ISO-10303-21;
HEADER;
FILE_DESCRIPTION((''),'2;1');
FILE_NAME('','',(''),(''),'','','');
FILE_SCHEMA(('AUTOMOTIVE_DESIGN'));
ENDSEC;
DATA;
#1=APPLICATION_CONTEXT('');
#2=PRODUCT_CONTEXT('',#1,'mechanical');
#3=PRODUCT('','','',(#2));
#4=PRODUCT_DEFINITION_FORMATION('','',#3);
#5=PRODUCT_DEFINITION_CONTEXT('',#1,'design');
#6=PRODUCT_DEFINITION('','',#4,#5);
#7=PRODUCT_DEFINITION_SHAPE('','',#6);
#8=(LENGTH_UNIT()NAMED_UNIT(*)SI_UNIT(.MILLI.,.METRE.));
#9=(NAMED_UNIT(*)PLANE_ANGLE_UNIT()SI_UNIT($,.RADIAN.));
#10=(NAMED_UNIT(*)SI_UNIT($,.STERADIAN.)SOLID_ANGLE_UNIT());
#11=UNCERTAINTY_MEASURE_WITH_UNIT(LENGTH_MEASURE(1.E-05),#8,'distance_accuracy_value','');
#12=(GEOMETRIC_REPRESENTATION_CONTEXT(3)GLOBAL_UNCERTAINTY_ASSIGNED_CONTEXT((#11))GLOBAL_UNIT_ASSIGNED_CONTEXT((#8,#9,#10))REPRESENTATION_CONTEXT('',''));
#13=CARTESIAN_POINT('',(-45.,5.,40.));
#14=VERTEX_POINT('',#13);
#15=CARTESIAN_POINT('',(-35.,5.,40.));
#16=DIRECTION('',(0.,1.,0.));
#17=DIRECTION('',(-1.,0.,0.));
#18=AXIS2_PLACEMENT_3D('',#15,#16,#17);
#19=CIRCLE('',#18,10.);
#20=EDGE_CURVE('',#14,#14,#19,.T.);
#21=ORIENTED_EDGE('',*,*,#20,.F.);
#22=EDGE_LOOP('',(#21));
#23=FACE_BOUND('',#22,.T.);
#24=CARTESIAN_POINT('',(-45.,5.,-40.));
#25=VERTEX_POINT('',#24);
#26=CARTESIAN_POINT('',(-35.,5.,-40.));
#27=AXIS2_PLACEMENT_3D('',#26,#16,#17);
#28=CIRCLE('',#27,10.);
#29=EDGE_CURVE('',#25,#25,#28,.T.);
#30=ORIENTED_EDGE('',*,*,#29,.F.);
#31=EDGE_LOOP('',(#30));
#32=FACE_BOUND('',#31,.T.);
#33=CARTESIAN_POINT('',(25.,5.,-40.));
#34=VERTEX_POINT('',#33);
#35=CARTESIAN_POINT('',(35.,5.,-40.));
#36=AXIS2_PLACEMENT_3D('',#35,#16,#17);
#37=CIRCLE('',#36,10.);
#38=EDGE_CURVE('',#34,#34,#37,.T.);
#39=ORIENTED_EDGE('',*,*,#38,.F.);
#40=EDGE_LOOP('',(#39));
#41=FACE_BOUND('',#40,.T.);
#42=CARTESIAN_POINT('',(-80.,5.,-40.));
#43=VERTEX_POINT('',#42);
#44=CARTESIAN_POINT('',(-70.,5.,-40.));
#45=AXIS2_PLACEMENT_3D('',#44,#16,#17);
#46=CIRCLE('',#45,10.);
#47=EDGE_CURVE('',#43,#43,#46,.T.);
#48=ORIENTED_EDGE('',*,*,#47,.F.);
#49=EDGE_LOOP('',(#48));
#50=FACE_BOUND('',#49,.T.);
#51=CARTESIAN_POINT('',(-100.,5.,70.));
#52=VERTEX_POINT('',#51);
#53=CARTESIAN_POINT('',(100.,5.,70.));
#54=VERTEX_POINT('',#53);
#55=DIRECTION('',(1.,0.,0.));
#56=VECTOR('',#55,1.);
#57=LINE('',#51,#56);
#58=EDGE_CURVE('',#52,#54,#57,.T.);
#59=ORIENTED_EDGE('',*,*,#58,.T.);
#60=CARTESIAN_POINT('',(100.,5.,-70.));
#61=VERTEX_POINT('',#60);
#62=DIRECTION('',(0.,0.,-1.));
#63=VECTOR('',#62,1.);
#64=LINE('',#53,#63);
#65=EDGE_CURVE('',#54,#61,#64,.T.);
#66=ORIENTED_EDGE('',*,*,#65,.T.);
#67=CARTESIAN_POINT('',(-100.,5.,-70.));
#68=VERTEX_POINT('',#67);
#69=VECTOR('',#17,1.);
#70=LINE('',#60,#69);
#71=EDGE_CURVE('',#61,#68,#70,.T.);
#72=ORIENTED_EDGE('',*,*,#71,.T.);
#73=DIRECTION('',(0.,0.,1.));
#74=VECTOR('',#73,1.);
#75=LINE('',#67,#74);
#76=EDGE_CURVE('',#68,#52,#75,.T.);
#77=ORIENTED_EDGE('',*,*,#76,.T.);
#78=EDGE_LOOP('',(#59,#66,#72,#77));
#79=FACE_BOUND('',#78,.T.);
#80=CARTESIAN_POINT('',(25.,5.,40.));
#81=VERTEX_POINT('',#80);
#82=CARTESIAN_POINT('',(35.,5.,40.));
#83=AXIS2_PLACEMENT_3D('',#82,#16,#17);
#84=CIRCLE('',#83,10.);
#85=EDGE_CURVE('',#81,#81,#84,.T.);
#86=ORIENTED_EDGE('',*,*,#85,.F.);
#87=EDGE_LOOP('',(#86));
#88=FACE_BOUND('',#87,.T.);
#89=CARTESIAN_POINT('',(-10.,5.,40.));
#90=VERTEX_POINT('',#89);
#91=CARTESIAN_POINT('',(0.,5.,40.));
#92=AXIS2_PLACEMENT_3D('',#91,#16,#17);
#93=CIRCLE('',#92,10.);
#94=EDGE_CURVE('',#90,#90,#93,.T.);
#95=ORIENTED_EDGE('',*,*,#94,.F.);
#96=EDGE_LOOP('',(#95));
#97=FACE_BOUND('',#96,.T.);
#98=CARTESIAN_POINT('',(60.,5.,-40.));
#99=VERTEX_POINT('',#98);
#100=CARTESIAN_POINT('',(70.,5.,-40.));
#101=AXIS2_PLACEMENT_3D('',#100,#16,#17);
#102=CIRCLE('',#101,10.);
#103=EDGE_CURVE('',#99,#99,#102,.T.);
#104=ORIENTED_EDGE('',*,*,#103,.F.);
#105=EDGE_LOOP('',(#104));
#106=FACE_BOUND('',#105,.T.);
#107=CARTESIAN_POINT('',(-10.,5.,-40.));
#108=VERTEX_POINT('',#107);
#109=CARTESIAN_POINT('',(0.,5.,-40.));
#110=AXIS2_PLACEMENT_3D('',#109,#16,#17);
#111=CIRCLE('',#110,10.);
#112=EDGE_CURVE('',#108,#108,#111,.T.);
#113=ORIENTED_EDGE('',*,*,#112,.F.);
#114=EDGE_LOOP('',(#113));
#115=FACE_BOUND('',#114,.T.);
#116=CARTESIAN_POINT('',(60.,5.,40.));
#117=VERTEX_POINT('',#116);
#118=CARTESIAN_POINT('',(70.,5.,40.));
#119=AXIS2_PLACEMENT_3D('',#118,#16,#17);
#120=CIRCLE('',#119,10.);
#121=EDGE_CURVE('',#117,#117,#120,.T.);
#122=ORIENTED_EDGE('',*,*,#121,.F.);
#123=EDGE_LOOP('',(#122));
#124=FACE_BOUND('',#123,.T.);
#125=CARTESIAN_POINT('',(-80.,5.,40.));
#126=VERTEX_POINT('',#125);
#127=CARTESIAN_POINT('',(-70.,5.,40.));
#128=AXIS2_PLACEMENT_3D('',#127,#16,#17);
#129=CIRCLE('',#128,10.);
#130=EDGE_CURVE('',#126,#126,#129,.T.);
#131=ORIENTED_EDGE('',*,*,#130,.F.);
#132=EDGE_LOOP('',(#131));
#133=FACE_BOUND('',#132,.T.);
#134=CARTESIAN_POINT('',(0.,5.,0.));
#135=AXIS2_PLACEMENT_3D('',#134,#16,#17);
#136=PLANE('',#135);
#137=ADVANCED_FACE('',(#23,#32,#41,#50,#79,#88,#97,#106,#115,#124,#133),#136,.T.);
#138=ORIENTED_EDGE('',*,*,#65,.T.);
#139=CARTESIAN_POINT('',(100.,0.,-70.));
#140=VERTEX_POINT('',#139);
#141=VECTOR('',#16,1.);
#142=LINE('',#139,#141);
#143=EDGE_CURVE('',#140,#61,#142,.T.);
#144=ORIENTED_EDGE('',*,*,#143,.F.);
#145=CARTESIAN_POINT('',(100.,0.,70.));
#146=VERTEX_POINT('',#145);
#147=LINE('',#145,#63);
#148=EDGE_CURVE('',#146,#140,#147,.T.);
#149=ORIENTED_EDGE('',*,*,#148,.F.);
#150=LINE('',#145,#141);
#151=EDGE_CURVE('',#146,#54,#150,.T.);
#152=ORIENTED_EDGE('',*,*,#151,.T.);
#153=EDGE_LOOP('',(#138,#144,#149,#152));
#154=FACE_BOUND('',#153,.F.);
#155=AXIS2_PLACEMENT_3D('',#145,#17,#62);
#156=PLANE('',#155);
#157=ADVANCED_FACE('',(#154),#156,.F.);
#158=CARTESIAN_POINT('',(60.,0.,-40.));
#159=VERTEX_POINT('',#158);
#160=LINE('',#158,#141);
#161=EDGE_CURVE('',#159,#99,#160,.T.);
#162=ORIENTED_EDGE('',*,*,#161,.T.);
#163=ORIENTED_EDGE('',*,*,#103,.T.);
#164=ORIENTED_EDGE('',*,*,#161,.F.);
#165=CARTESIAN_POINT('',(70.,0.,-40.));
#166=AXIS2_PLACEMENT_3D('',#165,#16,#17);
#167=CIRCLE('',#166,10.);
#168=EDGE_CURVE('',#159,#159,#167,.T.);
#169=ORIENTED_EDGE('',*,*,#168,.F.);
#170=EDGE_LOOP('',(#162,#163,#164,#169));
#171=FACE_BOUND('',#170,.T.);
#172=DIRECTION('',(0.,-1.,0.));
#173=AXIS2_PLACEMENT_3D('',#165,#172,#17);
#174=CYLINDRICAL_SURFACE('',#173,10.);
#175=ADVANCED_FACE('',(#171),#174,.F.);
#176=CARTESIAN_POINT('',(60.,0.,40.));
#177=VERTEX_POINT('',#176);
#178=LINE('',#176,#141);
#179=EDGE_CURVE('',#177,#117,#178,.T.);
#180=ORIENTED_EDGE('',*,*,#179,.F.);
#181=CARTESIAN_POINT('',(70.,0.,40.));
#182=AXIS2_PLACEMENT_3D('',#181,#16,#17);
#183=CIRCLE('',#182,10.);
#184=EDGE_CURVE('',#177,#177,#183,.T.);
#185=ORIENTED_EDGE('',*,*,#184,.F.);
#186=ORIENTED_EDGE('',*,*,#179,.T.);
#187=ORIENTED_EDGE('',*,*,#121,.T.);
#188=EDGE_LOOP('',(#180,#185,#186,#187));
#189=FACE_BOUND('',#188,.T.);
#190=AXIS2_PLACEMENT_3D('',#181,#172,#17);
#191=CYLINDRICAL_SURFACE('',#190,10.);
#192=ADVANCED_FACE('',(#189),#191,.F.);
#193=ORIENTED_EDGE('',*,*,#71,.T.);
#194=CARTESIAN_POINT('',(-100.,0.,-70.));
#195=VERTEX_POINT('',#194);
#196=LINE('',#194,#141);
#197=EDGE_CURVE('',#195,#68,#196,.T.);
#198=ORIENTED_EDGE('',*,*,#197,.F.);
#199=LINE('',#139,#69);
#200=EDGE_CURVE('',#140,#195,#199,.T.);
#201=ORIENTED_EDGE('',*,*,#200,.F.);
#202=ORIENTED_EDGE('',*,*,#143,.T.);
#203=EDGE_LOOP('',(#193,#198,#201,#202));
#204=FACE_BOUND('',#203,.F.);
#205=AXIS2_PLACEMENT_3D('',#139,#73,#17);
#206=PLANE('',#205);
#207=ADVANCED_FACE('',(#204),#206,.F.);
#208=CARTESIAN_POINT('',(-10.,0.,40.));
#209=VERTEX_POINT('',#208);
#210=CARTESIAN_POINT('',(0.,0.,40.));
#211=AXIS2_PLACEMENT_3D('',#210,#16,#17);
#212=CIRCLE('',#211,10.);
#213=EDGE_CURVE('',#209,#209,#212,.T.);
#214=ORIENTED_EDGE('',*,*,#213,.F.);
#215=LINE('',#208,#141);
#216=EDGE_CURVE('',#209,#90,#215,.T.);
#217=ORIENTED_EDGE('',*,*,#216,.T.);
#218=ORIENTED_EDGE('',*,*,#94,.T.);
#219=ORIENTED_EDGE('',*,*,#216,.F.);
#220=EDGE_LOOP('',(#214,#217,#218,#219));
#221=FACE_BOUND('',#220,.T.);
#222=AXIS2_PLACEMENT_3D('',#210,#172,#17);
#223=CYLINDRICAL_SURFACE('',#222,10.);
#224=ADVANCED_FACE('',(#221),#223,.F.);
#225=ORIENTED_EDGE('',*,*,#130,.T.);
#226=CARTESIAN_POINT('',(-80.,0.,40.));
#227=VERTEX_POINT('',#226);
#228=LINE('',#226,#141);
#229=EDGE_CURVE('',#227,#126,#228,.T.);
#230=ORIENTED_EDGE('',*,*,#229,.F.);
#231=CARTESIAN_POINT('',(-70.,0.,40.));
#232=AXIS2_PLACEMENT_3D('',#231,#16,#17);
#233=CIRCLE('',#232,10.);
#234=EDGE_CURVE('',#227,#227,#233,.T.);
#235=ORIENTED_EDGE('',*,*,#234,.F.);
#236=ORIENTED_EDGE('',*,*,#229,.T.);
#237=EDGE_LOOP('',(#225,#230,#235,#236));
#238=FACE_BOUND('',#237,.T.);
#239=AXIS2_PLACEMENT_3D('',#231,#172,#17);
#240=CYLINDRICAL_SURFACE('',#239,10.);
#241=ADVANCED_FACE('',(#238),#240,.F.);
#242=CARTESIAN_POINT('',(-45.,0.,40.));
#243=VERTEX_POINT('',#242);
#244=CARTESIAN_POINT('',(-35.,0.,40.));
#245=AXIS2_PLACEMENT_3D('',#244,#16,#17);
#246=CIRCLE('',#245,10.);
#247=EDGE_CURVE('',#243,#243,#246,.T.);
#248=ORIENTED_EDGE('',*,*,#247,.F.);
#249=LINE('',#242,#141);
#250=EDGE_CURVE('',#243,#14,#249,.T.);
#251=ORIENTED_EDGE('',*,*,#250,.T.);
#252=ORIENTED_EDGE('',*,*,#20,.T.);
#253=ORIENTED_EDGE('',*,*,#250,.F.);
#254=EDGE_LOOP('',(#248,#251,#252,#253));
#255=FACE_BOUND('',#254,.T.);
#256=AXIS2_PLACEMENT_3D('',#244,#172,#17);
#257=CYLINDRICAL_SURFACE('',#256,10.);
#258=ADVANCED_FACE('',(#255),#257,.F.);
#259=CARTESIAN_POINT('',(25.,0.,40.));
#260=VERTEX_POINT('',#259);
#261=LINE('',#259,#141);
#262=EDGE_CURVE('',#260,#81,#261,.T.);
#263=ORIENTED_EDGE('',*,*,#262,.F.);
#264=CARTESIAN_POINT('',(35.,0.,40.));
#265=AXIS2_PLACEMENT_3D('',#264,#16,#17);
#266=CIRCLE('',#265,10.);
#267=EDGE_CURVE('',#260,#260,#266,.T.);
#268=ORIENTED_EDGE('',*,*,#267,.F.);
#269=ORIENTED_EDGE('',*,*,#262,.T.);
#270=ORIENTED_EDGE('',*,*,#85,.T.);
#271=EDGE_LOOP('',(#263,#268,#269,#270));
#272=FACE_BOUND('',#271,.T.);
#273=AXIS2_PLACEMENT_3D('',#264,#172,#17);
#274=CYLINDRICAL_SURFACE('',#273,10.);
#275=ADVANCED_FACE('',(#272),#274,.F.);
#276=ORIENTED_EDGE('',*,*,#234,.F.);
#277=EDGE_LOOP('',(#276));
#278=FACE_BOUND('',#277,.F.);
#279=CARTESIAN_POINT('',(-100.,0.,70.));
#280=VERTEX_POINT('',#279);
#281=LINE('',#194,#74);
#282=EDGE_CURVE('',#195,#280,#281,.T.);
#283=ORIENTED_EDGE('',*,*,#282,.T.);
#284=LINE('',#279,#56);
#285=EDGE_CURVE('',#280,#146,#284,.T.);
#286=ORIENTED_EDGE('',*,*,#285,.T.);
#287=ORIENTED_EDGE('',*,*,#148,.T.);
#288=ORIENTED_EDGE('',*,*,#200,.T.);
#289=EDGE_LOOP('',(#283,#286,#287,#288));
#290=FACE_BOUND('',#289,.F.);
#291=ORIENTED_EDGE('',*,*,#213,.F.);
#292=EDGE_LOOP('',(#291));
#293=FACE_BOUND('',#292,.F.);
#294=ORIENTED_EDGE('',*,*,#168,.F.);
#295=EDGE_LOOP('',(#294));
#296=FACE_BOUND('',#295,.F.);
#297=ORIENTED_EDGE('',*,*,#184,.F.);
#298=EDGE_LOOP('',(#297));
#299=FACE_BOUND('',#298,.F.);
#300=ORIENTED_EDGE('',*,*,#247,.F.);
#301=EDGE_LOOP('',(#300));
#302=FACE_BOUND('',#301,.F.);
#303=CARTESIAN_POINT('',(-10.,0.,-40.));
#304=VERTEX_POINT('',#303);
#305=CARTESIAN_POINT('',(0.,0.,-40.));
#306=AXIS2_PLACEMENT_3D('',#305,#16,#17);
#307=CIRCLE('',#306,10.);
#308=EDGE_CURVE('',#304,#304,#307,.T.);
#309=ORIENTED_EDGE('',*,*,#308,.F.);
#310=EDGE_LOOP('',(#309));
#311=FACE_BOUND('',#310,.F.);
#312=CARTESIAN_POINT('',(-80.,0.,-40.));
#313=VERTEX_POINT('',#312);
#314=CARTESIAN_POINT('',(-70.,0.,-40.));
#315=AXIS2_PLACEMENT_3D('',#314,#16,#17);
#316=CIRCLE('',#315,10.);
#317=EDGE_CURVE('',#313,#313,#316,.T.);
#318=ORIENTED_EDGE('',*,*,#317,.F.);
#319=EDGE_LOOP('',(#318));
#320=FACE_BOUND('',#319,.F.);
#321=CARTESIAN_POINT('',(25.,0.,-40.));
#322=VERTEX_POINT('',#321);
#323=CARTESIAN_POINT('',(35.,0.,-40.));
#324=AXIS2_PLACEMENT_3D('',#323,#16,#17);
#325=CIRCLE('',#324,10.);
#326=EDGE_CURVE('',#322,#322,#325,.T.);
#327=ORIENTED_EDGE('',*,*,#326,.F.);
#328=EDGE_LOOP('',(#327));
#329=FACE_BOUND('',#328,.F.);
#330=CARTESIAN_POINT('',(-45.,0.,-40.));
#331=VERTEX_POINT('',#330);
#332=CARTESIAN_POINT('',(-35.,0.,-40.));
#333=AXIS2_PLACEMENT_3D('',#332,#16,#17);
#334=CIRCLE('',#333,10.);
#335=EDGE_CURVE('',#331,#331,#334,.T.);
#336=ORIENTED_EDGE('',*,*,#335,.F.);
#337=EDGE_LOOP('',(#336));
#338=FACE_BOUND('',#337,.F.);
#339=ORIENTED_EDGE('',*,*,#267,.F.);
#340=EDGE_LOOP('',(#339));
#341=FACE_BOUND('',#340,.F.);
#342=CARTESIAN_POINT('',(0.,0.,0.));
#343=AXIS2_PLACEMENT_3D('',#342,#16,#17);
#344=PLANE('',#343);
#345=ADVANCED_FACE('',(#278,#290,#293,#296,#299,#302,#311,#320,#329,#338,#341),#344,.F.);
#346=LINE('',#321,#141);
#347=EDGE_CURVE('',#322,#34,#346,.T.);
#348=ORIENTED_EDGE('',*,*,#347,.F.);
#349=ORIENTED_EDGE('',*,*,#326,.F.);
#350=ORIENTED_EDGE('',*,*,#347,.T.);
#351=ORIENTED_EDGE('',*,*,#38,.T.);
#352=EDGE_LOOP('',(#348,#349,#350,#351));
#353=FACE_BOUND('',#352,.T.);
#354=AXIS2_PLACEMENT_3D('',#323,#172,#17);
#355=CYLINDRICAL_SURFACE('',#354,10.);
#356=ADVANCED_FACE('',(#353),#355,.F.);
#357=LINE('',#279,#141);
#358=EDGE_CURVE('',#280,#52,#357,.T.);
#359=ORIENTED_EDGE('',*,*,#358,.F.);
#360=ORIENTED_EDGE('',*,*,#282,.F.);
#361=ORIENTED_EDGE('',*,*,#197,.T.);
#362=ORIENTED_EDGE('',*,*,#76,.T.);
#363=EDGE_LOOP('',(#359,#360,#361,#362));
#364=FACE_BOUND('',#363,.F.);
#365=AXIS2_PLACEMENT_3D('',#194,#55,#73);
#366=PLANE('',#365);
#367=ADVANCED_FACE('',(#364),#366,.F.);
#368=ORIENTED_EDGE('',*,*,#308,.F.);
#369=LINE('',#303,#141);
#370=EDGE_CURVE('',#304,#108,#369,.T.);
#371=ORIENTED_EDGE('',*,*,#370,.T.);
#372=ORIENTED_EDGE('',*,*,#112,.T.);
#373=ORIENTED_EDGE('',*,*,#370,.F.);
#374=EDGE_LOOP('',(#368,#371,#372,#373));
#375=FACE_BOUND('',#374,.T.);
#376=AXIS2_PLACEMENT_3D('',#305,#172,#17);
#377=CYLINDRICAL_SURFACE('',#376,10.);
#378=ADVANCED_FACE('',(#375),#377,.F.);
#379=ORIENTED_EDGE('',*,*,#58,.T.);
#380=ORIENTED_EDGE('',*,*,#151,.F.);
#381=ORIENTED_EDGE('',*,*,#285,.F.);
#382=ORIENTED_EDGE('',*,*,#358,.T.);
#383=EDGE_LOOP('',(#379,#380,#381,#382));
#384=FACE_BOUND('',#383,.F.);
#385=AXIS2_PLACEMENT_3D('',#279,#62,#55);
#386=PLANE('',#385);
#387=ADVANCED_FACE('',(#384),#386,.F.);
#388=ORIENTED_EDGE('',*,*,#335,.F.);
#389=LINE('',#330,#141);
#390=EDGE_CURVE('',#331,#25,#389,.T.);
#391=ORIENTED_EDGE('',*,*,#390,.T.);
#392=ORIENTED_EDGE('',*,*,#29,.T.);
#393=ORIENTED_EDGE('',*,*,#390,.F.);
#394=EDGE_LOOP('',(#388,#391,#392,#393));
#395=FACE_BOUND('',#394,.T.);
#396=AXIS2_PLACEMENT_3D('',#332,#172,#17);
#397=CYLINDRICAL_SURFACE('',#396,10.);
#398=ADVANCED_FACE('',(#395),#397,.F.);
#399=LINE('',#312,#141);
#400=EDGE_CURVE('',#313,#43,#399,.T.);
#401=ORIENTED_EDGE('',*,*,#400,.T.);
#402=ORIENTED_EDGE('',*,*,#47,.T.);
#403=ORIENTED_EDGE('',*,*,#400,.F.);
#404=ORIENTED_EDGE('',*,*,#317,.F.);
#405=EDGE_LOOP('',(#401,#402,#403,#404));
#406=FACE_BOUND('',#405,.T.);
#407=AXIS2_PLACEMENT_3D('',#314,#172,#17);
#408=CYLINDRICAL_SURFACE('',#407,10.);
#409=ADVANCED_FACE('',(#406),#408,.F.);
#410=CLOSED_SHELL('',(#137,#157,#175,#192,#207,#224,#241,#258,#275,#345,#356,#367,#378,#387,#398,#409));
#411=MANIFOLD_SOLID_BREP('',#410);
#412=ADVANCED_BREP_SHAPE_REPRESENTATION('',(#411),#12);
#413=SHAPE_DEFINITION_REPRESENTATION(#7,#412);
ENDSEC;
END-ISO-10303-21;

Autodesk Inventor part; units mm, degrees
ref_plane "YZ Plane" through (0, 0, 0) normal (1, 0, 0) x (0, 1, 0)
ref_plane "XZ Plane" through (0, 0, 0) normal (0, 1, 0) x (-1, 0, 0)
ref_plane "XY Plane" through (0, 0, 0) normal (0, 0, 1) x (1, 0, 0)
sketch "Эскиз1" plane through (0, 0, 0) normal (0, 1, 0) x (-1, 0, 0)
  line L0 (-100, -70) -> (100, -70)
  line L1 (100, -70) -> (100, 70)
  line L2 (100, 70) -> (-100, 70)
  line L3 (-100, 70) -> (-100, -70)
  line L4 (-100, -70) -> (100, 70) construction
  line L5 (100, -70) -> (-100, 70) construction
  circle A0 centre (70, 40) radius 10
  circle A1 centre (70, -40) radius 10
  circle A2 centre (35, 40) radius 10
  circle A3 centre (35, -40) radius 10
  circle A4 centre (0, 40) radius 10
  circle A5 centre (0, -40) radius 10
  circle A6 centre (-35, 40) radius 10
  circle A7 centre (-35, -40) radius 10
  circle A8 centre (-70, 40) radius 10
  circle A9 centre (-70, -40) radius 10
  point P0 (0, 0)
  dimension "d0" = 200
  dimension "d1" = 140
  dimension "d2" = 30
  dimension "d3" = 30
  dimension "d4" = 20
  dimension "d7" = 80
  dimension "d10" = 35
extrude "Пластина1" add sketch "Эскиз1" along normal blind 5
equation "\"d13\" = Толщина"
equation "\"Радиус_гибки\" = Толщина"
equation "\"Ширина_просечки\" = Толщина"
equation "\"Глубина_просечки\" = 0.5 * Толщина"
equation "\"Радиус_перехода\" = Радиус_гибки"
equation "\"Радиус_Якоби\" = Радиус_гибки"
equation "\"Размер_зазора\" = Толщина"
equation "\"Толщина\" = 5"
properties part number "Lift.04.00.00.01"
